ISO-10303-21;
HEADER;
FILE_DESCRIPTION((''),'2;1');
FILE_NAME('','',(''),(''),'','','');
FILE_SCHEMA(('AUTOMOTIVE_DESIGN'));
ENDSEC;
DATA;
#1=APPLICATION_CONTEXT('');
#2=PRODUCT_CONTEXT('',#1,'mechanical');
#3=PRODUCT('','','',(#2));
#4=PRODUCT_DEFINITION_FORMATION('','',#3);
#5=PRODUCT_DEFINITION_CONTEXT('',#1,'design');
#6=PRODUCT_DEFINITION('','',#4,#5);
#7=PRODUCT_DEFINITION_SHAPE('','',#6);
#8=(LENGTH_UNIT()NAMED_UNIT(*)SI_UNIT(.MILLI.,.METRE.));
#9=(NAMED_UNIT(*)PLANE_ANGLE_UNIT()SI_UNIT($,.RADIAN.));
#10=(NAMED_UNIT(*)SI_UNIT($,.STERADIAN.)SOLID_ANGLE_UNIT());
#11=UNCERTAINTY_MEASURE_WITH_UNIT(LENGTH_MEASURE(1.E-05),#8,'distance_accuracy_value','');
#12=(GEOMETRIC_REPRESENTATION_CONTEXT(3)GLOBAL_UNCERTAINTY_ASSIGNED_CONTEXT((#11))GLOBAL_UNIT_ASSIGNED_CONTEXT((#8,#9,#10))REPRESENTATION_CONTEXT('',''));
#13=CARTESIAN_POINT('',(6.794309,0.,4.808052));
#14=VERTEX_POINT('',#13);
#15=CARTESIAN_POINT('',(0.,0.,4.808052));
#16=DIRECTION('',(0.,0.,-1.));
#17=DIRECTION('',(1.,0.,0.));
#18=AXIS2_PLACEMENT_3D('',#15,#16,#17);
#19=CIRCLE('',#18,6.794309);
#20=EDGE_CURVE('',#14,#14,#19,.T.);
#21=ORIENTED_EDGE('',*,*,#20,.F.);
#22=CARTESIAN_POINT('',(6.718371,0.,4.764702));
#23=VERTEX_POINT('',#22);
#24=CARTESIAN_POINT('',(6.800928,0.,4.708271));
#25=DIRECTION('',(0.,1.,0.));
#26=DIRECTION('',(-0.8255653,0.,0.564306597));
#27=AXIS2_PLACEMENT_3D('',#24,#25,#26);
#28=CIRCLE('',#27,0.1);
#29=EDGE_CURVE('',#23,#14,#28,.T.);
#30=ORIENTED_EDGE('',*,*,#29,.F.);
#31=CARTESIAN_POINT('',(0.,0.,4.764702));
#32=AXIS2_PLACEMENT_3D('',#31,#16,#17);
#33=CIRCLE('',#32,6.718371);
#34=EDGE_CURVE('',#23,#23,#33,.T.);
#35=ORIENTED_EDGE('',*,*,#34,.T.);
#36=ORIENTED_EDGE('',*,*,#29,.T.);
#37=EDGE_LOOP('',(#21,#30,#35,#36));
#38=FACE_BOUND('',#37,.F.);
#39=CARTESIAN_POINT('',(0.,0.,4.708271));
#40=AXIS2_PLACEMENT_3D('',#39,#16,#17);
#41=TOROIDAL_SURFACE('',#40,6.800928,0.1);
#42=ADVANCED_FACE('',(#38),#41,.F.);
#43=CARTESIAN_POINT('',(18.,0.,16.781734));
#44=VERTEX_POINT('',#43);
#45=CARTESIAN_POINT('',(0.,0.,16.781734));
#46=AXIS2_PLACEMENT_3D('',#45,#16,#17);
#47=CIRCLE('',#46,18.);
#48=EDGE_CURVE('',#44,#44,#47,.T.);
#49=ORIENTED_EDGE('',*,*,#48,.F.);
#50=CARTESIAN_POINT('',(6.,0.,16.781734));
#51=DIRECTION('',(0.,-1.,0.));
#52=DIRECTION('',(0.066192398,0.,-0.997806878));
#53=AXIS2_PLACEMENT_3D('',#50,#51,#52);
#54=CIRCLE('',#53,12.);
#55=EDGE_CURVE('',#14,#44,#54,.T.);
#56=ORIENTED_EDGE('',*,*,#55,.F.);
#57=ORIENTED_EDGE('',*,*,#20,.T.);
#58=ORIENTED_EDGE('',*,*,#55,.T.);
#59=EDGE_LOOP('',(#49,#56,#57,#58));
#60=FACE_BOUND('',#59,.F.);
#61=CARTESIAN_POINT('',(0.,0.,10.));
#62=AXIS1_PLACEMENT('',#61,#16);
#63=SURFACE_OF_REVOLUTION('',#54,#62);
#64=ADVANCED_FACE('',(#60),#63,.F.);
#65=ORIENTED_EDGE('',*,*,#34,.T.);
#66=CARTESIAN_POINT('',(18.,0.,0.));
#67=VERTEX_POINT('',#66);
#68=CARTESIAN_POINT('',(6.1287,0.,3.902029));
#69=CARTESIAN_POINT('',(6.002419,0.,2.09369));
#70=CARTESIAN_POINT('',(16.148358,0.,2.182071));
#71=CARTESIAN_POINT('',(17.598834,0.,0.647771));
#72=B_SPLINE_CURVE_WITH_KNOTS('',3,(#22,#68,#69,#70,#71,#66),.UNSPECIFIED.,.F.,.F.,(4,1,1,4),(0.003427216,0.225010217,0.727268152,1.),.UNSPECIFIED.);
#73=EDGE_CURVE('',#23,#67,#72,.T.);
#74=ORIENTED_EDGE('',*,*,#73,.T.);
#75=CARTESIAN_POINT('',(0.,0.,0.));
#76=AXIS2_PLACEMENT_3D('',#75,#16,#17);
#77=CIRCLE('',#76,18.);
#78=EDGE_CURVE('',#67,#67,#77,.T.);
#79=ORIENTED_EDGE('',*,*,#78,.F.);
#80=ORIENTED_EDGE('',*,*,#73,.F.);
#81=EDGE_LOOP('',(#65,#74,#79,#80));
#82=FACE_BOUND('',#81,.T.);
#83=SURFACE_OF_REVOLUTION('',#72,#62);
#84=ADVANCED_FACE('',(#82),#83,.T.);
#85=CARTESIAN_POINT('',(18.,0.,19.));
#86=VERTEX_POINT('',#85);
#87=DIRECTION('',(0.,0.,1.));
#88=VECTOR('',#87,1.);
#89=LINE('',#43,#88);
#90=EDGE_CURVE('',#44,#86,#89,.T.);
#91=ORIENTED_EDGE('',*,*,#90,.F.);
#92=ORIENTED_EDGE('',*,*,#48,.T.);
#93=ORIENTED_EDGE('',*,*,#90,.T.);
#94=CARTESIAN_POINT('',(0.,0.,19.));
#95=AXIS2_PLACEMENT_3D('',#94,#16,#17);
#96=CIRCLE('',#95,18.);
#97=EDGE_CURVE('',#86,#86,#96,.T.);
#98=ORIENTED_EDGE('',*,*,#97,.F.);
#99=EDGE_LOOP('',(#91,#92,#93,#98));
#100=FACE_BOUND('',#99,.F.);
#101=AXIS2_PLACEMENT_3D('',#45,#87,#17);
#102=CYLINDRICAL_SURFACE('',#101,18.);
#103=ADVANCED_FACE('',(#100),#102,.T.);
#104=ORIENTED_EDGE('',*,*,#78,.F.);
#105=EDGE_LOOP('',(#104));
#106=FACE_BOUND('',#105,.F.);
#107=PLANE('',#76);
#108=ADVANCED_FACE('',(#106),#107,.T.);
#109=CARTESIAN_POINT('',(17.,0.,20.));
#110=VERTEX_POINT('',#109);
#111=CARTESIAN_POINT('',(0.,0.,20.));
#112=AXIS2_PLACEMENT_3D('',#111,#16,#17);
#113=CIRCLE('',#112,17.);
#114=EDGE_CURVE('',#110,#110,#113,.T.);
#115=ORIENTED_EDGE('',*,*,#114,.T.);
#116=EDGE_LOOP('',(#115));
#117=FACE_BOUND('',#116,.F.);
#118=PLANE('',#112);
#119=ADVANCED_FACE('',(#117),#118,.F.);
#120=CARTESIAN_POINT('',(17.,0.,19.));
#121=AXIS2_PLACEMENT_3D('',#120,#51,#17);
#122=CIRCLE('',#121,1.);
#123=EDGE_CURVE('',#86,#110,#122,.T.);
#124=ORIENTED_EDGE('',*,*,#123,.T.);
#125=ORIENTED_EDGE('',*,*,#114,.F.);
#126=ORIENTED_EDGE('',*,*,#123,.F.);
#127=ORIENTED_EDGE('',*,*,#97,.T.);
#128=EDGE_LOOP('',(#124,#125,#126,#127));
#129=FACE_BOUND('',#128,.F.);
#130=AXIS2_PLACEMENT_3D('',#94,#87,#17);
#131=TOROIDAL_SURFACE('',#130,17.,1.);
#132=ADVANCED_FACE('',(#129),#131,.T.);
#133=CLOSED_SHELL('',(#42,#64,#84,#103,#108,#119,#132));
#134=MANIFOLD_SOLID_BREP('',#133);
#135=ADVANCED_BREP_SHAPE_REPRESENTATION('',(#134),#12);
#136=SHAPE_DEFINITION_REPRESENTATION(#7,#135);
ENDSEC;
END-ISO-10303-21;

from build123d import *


with BuildPart() as f1:
    # F0 (on Front) → F1 (revolve)
    with BuildSketch(Plane.XZ):
        with BuildLine():
            Line((17, 20), (0, 20))
            Line((0, 20), (0, 0))
            Line((0, 0), (18, 0))
            add(Edge.make_bspline(
                [(6.7183714913, 4.7647017349), (6.1287002002, 3.902028574), (6.002418862, 2.0936899435), (16.1483580459, 2.1820709829), (17.5988337234, 0.6477711397), (18, 0)],
                knots=[0.0034272161, 0.0034272161, 0.0034272161, 0.0034272161, 0.2250102172, 0.7272681517, 1, 1, 1, 1], degree=3))
            ThreePointArc((6.7183714913, 4.7647017349), (6.7513509528, 4.7951164221), (6.7943087814, 4.808051763))
            ThreePointArc((6.7943087814, 4.808051763), (14.761612448, 8.5820911817), (18, 16.7817343026))
            Line((18, 16.7817343026), (18, 19))
            ThreePointArc((18, 19), (17.7071067812, 19.7071067812), (17, 20))
        make_face()
    revolve(axis=Axis((0, 0, 10), (0, 0, -1)))


solid = f1.part
